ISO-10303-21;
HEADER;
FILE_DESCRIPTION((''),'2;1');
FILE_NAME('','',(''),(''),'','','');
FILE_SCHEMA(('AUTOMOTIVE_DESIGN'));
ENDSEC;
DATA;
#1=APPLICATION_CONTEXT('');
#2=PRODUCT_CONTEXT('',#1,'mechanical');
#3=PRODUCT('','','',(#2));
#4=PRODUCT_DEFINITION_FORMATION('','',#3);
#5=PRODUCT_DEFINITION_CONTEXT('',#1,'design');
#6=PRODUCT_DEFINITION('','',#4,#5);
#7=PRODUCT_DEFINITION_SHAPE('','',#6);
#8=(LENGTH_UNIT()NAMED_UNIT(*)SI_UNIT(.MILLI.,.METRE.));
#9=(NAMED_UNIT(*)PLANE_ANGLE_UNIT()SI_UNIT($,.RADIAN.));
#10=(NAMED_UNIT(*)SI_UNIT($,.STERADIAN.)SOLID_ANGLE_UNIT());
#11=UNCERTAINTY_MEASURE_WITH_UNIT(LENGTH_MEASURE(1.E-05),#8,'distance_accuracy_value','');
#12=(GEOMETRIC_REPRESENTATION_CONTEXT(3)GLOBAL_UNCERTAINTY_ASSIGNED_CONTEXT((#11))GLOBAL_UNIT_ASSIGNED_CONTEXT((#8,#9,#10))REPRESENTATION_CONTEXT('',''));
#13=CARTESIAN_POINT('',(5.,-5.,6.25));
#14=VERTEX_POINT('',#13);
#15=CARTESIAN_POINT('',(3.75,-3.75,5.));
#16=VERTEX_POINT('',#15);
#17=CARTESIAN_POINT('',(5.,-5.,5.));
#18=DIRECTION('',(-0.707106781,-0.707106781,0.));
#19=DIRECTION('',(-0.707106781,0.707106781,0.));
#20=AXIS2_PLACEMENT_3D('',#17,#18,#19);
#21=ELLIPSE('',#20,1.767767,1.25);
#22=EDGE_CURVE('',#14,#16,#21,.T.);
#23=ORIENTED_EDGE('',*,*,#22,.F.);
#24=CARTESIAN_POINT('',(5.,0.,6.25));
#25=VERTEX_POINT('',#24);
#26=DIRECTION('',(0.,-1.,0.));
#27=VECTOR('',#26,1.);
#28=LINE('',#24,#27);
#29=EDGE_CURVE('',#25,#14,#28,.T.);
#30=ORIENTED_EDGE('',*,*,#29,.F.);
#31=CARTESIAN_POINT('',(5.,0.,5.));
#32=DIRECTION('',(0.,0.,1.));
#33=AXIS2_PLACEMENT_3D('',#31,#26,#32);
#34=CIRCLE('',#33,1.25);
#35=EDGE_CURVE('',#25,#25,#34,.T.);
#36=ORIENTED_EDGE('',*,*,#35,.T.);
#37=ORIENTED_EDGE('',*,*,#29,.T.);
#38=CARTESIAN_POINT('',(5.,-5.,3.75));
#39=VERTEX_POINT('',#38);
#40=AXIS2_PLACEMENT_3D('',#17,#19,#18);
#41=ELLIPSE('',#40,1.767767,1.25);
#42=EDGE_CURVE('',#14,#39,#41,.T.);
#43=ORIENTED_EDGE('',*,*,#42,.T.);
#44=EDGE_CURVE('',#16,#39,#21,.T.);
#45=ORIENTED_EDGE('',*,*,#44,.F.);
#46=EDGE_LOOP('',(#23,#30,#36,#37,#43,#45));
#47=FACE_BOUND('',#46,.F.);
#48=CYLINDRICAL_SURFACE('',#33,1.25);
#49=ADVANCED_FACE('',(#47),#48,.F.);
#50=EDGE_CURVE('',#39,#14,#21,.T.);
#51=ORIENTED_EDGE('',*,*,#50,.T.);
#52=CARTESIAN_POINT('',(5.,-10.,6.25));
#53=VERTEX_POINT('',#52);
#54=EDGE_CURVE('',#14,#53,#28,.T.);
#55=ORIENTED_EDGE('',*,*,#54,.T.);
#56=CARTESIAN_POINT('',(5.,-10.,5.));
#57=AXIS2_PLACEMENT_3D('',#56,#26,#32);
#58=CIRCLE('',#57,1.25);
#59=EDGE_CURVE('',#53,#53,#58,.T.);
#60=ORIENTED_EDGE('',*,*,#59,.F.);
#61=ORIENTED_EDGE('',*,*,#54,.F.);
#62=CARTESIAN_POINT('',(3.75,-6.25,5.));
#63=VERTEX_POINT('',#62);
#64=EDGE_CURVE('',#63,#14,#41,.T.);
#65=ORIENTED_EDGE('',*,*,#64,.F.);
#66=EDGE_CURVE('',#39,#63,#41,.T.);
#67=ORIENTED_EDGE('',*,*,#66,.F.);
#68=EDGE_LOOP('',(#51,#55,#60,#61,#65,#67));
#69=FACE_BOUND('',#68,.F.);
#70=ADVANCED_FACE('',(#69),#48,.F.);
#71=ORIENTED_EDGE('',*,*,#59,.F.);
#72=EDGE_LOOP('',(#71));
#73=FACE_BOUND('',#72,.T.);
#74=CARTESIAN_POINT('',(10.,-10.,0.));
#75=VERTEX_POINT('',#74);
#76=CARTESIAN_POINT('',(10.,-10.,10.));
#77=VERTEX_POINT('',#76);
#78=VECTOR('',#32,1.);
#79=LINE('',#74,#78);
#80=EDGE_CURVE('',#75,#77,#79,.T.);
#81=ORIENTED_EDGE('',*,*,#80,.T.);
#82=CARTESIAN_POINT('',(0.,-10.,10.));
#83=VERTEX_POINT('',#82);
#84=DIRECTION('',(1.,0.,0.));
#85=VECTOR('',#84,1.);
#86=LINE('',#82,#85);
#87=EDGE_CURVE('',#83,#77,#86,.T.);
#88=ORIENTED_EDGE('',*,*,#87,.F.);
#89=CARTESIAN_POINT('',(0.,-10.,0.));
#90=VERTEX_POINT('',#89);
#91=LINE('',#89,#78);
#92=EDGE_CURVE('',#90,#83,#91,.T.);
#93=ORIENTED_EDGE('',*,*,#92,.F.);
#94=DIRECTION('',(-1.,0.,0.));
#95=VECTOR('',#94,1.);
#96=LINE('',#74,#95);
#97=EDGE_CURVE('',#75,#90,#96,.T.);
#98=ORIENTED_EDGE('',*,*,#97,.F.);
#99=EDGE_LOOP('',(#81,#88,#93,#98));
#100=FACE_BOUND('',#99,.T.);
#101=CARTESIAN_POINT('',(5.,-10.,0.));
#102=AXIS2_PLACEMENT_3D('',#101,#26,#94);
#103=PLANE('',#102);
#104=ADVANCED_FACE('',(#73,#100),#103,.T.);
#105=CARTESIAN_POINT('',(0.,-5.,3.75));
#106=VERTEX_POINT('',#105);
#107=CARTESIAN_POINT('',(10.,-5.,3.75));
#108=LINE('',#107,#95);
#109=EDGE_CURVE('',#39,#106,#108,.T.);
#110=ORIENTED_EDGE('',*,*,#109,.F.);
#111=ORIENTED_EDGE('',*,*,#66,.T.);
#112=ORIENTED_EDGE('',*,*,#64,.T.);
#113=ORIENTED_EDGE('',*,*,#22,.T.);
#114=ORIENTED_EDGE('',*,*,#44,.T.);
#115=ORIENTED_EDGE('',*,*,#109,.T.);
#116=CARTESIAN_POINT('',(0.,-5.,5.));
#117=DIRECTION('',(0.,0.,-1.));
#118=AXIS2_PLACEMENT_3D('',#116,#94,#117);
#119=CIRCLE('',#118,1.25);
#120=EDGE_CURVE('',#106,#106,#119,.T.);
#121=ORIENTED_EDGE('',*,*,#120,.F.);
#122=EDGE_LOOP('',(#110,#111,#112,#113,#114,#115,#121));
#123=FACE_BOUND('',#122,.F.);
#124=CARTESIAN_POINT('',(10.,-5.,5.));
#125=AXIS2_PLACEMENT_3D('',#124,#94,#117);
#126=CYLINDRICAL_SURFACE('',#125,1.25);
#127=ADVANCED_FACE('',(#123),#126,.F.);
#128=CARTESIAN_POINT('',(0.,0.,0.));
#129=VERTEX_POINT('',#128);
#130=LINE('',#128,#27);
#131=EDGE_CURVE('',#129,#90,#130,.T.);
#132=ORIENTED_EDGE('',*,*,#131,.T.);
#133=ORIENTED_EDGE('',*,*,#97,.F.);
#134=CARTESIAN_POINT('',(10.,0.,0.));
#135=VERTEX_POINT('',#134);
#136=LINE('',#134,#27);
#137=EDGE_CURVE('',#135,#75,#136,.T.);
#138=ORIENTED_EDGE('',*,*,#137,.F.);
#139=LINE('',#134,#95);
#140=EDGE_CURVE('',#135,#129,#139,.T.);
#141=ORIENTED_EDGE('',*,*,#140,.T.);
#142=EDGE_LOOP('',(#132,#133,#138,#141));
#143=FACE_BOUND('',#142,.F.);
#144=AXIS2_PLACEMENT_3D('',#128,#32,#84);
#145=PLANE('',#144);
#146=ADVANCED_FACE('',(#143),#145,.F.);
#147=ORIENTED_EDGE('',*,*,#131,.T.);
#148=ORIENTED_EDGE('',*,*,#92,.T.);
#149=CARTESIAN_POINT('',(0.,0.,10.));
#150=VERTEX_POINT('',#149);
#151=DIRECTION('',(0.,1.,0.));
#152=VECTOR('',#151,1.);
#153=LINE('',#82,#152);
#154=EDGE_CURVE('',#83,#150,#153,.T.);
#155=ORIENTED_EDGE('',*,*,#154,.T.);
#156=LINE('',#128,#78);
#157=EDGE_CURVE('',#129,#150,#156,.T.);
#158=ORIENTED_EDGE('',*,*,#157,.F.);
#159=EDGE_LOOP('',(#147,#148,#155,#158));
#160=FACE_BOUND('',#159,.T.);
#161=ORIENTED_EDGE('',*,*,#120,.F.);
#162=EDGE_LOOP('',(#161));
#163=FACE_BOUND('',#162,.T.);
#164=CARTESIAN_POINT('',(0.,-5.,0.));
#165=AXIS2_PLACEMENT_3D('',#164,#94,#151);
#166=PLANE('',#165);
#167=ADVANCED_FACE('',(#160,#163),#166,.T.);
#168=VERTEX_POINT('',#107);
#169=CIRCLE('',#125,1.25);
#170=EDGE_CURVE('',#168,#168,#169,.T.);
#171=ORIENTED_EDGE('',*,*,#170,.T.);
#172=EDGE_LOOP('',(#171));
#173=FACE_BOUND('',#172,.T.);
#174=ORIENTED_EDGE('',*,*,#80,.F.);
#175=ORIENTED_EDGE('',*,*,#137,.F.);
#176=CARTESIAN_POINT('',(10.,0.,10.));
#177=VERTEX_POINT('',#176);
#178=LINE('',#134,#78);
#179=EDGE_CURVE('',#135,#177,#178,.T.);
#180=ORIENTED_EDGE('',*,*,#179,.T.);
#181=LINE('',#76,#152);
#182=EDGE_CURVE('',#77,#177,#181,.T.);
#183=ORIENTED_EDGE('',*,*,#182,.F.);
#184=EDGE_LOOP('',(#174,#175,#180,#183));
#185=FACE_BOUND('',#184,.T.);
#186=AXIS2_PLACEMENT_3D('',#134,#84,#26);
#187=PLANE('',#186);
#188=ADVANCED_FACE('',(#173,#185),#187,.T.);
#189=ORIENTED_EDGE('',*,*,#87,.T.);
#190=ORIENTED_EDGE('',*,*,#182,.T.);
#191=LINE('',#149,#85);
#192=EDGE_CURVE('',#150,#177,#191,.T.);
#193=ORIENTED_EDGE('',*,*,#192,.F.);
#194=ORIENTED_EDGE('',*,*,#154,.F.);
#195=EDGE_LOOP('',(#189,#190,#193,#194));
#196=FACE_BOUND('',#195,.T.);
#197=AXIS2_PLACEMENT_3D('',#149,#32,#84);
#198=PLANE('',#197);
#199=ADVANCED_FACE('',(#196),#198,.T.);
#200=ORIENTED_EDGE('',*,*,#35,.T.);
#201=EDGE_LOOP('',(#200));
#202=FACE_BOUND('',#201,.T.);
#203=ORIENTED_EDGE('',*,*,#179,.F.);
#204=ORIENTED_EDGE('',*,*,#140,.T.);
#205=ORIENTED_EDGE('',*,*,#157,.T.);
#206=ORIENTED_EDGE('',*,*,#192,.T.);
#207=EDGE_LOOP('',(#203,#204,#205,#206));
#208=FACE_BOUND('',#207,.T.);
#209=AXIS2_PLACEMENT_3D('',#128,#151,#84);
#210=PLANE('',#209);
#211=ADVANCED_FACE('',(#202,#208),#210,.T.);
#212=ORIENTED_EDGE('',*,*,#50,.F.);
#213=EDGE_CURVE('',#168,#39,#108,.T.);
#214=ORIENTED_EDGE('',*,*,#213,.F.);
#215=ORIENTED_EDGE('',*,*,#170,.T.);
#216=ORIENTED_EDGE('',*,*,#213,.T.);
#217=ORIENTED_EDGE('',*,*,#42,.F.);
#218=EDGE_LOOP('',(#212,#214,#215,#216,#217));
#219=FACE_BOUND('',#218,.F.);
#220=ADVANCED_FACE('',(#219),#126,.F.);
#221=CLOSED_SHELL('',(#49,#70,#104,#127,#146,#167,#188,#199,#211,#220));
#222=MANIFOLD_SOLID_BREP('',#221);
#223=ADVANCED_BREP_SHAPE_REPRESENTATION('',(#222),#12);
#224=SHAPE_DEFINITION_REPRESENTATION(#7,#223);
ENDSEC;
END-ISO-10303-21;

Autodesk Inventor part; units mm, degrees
ref_plane "YZ Plane" through (0, 0, 0) normal (1, 0, 0) x (0, 1, 0)
ref_plane "XZ Plane" through (0, 0, 0) normal (0, 1, 0) x (-1, 0, 0)
ref_plane "XY Plane" through (0, 0, 0) normal (0, 0, 1) x (1, 0, 0)
sketch "スケッチ1" plane through (0, 0, 0) normal (0, 0, 1) x (1, 0, 0)
  line L0 (0, 0) -> (10, 0)
  line L1 (10, 0) -> (10, -10)
  line L2 (10, -10) -> (0, -10)
  line L3 (0, -10) -> (0, 0)
  line L4 (0, -5) -> (10, -5)
  line L5 (5, 0) -> (5, -10)
  dimension "d0" = 10
  dimension "d1" = 10
extrude "押し出し1" add sketch "スケッチ1" along normal blind 10
sketch "スケッチ2" plane through (10, -10, 0) normal (1, 0, 0) x (0, 0, -1)
  line L0 (-10, 10) -> (0, 10) projected
  line L1 (0, 10) -> (0, 0) projected
  line L2 (0, 0) -> (-10, 0) projected
  line L3 (-10, 0) -> (-10, 10) projected
  line L4 (-10, 10) -> (0, 0)
  line L5 (0, 10) -> (0, 0) projected
  line L6 (-10, 0) -> (0, 10)
  point P0 (-5, 5)
hole "穴1" at (10, -5, 5) direction (-1, 0, 0) diameter 2.5 end through all
sketch "スケッチ3" plane through (0, 0, 0) normal (0, 1, 0) x (1, 0, 0)
  line L0 (10, 0) -> (10, -10) projected
  line L1 (10, -10) -> (0, -10) projected
  line L2 (0, -10) -> (0, 0) projected
  line L3 (0, 0) -> (10, 0) projected
  line L4 (0, -10) -> (10, 0)
  line L5 (10, 0) -> (10, -10) projected
  line L6 (0, 0) -> (10, 0) projected
  line L7 (10, -10) -> (0, 0)
  point P0 (5, -5)
hole "穴2" at (5, 0, 5) direction (0, -1, 0) diameter 2.5 end through all
properties part number "垂直ブロック 樹脂 10" material "PPS プラスチック"
